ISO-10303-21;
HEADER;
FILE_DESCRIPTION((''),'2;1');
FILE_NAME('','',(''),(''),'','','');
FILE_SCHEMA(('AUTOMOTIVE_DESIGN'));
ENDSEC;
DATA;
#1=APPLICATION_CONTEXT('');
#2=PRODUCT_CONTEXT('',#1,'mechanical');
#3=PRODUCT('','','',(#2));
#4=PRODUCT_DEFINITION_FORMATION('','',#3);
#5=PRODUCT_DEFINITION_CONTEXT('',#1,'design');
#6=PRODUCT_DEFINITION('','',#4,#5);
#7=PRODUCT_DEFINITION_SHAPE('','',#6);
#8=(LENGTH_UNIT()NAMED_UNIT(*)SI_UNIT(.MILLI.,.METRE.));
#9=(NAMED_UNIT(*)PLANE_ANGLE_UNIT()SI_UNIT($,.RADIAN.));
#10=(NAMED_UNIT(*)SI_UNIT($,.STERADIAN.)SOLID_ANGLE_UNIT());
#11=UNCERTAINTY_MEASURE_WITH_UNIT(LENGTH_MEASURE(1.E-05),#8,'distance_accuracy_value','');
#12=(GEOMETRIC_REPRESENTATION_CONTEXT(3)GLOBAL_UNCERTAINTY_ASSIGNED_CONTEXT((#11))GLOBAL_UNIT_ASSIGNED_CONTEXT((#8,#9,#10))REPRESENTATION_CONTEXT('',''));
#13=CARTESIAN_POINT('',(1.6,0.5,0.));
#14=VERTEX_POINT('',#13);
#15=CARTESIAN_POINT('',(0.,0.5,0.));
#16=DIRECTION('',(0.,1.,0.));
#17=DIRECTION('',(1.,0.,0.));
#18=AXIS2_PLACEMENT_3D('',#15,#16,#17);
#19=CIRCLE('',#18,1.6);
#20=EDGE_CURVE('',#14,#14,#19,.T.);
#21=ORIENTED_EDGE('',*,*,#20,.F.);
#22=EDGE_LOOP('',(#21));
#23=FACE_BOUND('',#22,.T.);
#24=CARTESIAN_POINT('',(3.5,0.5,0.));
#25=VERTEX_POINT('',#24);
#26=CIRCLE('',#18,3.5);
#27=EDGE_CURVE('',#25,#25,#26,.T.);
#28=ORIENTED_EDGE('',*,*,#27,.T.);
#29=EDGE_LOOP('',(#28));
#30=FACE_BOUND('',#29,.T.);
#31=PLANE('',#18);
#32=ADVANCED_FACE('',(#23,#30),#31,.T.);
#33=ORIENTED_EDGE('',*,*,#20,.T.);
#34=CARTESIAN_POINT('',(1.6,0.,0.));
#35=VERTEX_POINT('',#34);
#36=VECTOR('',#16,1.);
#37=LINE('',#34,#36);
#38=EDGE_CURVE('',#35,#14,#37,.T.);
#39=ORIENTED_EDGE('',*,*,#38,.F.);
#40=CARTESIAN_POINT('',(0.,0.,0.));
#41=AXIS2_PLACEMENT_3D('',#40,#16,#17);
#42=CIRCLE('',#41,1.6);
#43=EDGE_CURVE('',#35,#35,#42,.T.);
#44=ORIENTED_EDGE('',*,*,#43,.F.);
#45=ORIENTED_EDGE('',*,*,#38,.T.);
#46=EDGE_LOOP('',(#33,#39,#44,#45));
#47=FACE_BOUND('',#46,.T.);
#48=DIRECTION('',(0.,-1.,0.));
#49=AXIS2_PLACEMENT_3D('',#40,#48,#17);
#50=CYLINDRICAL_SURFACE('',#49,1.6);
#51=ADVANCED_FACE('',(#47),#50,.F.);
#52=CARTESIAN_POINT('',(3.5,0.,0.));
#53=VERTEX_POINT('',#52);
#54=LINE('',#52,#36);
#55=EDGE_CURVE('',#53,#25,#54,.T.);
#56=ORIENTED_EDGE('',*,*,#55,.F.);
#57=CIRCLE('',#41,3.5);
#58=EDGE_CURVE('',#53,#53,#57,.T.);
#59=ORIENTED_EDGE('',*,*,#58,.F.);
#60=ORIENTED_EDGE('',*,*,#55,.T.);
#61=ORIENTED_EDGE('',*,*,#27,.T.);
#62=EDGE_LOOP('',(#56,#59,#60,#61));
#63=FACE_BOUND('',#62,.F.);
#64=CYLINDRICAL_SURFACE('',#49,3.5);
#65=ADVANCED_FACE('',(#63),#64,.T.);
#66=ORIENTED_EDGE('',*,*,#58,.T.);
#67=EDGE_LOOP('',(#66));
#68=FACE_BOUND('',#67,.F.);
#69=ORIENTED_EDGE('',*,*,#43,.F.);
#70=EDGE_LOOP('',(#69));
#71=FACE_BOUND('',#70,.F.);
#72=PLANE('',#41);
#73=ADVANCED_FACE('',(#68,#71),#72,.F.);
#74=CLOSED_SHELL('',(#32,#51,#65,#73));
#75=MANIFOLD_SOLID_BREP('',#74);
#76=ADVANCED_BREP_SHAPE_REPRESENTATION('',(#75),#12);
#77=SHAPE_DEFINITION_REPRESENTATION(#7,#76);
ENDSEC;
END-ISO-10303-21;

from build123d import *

# Parameters (mm, degrees)
SKETCH_1_R      = 3.5
SKETCH_1_R_2    = 1.6
EXTRUDE_1_DEPTH = 0.5


with BuildPart() as part:
    # 草图1 → 凸台-拉伸1 (new body)
    with BuildSketch(Plane(origin=(0, 0, 0), x_dir=(1, 0, 0), z_dir=(0, 1, 0))):
        Circle(SKETCH_1_R)
        Circle(SKETCH_1_R_2, mode=Mode.SUBTRACT)
    extrude(amount=EXTRUDE_1_DEPTH)


solid = part.part
